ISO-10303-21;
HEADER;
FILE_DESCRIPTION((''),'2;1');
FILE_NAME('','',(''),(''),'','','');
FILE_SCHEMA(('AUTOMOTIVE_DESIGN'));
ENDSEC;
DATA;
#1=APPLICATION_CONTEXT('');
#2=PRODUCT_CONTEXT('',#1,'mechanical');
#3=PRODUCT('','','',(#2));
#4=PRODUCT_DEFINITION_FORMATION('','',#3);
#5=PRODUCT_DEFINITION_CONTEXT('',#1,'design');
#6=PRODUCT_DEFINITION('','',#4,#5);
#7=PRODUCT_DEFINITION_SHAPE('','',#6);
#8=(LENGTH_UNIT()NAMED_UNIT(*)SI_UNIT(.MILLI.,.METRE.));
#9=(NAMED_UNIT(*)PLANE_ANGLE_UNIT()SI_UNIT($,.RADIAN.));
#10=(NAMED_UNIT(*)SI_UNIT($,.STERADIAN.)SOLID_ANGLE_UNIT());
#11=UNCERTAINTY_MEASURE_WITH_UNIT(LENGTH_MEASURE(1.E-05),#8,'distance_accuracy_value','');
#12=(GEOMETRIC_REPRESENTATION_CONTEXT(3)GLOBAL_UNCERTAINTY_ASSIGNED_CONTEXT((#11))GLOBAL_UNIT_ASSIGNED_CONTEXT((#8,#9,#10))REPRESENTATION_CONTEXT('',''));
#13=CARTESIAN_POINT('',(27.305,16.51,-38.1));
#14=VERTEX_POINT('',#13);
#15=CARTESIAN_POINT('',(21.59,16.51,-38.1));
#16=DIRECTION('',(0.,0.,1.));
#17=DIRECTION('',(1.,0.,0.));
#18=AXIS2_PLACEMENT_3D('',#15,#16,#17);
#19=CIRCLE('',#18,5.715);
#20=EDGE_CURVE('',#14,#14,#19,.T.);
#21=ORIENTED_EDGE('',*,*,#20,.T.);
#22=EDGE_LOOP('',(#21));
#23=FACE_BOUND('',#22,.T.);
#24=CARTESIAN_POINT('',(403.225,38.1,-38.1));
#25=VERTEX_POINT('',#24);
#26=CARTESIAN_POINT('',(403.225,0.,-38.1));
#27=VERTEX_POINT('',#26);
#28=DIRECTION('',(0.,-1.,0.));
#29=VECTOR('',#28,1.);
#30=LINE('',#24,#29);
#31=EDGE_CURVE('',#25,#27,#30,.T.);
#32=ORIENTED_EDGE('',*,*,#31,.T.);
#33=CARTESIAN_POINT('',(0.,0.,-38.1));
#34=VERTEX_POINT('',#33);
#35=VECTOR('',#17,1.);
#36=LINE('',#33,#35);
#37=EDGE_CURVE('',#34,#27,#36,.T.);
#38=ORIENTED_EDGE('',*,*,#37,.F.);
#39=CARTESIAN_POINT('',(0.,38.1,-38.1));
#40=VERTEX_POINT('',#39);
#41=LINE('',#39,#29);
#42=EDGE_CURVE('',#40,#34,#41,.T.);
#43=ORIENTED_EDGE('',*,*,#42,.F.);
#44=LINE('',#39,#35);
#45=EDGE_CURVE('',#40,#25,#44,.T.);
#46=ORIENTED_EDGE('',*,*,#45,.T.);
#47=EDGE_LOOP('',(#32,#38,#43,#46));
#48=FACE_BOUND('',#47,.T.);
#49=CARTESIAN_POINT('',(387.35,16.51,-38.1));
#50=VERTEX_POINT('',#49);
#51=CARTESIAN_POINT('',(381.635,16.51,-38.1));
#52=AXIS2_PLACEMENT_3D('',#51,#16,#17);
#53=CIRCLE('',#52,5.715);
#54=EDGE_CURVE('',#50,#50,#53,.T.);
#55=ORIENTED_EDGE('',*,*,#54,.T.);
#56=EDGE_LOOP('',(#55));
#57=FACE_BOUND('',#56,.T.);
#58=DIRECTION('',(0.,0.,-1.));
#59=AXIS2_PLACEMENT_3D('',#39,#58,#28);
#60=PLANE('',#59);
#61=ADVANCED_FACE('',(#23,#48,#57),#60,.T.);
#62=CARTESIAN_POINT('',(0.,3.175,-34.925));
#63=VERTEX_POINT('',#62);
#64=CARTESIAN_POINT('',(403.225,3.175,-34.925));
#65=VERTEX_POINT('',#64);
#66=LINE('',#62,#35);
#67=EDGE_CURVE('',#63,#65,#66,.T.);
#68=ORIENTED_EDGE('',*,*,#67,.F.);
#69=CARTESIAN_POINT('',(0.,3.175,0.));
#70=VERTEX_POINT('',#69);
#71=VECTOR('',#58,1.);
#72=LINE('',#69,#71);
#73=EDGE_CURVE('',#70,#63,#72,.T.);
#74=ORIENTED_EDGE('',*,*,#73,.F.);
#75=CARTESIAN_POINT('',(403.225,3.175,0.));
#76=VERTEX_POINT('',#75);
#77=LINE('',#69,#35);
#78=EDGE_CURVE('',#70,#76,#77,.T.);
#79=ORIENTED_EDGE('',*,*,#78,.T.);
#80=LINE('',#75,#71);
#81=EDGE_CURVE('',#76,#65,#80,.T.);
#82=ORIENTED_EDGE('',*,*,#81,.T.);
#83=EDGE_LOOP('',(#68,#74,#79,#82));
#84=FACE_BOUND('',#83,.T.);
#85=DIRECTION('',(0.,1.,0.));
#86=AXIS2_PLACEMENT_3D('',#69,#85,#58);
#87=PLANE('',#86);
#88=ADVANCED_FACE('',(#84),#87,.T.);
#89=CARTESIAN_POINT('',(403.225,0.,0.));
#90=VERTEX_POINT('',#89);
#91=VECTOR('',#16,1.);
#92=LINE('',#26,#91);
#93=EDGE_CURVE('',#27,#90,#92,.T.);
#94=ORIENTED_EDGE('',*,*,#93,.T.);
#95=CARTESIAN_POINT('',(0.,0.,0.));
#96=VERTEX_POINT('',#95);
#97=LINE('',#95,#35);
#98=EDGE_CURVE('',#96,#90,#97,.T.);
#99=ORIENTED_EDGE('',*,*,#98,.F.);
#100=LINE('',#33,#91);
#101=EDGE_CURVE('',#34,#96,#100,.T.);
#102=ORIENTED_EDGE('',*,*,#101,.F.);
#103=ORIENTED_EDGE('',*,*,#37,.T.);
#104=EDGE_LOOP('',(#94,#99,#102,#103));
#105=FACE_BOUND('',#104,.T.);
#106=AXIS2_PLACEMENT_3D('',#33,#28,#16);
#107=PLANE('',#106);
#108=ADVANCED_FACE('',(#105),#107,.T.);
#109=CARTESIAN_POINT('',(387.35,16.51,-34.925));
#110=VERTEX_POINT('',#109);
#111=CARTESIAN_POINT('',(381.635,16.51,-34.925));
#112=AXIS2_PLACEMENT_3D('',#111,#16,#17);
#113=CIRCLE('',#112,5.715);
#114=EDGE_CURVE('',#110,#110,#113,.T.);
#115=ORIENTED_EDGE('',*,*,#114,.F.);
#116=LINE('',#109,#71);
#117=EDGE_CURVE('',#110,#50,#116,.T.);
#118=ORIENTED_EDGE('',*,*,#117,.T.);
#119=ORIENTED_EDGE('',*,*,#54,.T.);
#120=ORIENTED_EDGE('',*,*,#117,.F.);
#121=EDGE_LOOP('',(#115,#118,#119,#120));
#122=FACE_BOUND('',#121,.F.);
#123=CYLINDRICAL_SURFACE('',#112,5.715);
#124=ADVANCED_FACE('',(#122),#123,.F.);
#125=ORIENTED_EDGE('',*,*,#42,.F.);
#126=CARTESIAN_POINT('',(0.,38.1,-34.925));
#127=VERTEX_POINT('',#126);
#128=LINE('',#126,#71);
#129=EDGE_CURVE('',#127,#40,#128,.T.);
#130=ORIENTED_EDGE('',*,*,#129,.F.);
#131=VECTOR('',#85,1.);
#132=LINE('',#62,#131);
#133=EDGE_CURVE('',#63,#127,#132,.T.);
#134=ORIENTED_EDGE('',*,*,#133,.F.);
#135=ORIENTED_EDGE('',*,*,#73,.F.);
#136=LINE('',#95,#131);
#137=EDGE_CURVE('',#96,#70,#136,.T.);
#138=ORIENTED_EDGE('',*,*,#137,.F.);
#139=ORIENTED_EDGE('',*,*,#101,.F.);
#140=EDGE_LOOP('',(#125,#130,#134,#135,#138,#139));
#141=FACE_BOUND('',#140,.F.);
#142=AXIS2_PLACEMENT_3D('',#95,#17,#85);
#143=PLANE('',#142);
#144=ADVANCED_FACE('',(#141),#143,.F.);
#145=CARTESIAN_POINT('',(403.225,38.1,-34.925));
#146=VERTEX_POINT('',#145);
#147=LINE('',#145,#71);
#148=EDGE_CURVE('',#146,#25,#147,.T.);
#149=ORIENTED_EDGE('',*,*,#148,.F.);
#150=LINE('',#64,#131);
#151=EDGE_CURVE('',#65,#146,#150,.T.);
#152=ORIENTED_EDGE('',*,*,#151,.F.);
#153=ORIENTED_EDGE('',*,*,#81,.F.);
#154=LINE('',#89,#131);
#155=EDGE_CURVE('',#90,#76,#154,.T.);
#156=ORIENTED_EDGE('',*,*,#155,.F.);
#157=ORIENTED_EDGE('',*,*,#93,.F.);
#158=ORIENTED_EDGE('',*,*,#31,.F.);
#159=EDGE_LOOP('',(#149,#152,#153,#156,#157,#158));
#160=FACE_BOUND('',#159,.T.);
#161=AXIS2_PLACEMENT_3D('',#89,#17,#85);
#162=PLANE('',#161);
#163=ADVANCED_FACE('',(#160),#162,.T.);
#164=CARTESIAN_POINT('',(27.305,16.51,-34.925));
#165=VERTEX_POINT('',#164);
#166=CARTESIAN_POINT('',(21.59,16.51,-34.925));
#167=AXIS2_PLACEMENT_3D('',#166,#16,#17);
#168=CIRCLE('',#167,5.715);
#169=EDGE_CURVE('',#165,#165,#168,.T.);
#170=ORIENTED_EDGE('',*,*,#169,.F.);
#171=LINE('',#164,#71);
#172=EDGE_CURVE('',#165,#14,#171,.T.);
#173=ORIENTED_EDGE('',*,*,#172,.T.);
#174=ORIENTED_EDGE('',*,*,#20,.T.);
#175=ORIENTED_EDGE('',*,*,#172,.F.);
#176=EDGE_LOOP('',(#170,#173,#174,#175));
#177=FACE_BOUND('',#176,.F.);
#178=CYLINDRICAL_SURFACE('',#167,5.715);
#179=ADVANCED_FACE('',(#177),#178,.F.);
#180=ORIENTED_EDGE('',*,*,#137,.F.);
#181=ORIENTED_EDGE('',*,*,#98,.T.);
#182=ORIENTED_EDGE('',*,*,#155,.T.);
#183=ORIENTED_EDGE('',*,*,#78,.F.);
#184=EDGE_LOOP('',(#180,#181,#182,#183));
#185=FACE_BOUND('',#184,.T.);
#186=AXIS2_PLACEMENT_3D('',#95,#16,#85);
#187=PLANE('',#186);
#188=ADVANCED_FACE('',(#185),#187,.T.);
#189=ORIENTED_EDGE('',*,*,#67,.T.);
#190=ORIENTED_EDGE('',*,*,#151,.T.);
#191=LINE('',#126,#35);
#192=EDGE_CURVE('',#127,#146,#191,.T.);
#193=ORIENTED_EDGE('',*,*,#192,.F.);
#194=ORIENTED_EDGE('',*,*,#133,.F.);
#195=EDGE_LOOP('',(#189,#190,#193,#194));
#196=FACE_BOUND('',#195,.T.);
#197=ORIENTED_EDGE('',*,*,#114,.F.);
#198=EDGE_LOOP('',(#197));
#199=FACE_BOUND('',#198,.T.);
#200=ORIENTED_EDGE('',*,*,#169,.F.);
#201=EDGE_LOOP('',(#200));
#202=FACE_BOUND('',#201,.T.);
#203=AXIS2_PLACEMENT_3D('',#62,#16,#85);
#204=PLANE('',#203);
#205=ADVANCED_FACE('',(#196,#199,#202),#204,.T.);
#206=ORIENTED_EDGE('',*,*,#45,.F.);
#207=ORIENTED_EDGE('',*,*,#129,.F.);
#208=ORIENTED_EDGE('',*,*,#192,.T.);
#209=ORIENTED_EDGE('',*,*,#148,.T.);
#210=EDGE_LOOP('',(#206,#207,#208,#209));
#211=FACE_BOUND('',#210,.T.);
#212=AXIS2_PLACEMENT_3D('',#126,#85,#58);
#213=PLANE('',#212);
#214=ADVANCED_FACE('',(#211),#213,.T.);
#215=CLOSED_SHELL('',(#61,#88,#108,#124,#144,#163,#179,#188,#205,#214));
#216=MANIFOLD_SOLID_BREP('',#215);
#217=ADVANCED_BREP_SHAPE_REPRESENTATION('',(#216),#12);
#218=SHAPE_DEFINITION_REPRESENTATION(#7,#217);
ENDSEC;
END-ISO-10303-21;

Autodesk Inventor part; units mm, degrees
ref_plane "YZ Plane" through (0, 0, 0) normal (1, 0, 0) x (0, 1, 0)
ref_plane "XZ Plane" through (0, 0, 0) normal (0, 1, 0) x (-1, 0, 0)
ref_plane "XY Plane" through (0, 0, 0) normal (0, 0, 1) x (1, 0, 0)
sketch "Sketch1" plane through (0, 0, 0) normal (1, 0, 0) x (0, 1, 0)
  line L0 (3.175, 0) -> (3.175, -34.925)
  line L1 (3.175, -34.925) -> (38.1, -34.925)
  line L2 (38.1, -34.925) -> (38.1, -38.1)
  line L3 (38.1, -38.1) -> (0, -38.1)
  line L4 (0, -38.1) -> (0, 0)
  line L5 (0, 0) -> (3.175, 0)
  dimension "d0" = 3.175
  dimension "d1" = 3.175
  dimension "d2" = 38.1
  dimension "d3" = 38.1
  dimension "d4" = 0
  dimension "d5" = 0
extrude "Extrusion1" add sketch "Sketch1" along normal blind 403.225
sketch "Sketch2" plane through (0, 3.175, -34.925) normal (0, 0, 1) x (1, 0, 0)
  circle A0 centre (381.635, 13.335) radius 5.715
  line L0 (0, -3.175) -> (403.225, -3.175) projected
  line L1 (403.225, 34.925) -> (403.225, 0) projected
  line L2 (0, 0) -> (403.225, 0) projected
  dimension "d9" = 21.59
  dimension "d10" = 11.43
  dimension "d18" = 13.335
extrude "Extrusion2" cut sketch "Sketch2" against normal blind 25.4
sketch "Sketch3" plane through (0, 3.175, -34.925) normal (0, 0, 1) x (1, 0, 0)
  circle A0 centre (21.59, 13.335) radius 5.715
  line L0 (0, 34.925) -> (0, -3.175) projected
  line L1 (0, 0) -> (403.225, 0) projected
  dimension "d13" = 21.59
  dimension "d14" = 11.43
  dimension "d15" = 13.335
extrude "Extrusion3" cut sketch "Sketch3" against normal blind 25.4
properties part number "Side bar2"
